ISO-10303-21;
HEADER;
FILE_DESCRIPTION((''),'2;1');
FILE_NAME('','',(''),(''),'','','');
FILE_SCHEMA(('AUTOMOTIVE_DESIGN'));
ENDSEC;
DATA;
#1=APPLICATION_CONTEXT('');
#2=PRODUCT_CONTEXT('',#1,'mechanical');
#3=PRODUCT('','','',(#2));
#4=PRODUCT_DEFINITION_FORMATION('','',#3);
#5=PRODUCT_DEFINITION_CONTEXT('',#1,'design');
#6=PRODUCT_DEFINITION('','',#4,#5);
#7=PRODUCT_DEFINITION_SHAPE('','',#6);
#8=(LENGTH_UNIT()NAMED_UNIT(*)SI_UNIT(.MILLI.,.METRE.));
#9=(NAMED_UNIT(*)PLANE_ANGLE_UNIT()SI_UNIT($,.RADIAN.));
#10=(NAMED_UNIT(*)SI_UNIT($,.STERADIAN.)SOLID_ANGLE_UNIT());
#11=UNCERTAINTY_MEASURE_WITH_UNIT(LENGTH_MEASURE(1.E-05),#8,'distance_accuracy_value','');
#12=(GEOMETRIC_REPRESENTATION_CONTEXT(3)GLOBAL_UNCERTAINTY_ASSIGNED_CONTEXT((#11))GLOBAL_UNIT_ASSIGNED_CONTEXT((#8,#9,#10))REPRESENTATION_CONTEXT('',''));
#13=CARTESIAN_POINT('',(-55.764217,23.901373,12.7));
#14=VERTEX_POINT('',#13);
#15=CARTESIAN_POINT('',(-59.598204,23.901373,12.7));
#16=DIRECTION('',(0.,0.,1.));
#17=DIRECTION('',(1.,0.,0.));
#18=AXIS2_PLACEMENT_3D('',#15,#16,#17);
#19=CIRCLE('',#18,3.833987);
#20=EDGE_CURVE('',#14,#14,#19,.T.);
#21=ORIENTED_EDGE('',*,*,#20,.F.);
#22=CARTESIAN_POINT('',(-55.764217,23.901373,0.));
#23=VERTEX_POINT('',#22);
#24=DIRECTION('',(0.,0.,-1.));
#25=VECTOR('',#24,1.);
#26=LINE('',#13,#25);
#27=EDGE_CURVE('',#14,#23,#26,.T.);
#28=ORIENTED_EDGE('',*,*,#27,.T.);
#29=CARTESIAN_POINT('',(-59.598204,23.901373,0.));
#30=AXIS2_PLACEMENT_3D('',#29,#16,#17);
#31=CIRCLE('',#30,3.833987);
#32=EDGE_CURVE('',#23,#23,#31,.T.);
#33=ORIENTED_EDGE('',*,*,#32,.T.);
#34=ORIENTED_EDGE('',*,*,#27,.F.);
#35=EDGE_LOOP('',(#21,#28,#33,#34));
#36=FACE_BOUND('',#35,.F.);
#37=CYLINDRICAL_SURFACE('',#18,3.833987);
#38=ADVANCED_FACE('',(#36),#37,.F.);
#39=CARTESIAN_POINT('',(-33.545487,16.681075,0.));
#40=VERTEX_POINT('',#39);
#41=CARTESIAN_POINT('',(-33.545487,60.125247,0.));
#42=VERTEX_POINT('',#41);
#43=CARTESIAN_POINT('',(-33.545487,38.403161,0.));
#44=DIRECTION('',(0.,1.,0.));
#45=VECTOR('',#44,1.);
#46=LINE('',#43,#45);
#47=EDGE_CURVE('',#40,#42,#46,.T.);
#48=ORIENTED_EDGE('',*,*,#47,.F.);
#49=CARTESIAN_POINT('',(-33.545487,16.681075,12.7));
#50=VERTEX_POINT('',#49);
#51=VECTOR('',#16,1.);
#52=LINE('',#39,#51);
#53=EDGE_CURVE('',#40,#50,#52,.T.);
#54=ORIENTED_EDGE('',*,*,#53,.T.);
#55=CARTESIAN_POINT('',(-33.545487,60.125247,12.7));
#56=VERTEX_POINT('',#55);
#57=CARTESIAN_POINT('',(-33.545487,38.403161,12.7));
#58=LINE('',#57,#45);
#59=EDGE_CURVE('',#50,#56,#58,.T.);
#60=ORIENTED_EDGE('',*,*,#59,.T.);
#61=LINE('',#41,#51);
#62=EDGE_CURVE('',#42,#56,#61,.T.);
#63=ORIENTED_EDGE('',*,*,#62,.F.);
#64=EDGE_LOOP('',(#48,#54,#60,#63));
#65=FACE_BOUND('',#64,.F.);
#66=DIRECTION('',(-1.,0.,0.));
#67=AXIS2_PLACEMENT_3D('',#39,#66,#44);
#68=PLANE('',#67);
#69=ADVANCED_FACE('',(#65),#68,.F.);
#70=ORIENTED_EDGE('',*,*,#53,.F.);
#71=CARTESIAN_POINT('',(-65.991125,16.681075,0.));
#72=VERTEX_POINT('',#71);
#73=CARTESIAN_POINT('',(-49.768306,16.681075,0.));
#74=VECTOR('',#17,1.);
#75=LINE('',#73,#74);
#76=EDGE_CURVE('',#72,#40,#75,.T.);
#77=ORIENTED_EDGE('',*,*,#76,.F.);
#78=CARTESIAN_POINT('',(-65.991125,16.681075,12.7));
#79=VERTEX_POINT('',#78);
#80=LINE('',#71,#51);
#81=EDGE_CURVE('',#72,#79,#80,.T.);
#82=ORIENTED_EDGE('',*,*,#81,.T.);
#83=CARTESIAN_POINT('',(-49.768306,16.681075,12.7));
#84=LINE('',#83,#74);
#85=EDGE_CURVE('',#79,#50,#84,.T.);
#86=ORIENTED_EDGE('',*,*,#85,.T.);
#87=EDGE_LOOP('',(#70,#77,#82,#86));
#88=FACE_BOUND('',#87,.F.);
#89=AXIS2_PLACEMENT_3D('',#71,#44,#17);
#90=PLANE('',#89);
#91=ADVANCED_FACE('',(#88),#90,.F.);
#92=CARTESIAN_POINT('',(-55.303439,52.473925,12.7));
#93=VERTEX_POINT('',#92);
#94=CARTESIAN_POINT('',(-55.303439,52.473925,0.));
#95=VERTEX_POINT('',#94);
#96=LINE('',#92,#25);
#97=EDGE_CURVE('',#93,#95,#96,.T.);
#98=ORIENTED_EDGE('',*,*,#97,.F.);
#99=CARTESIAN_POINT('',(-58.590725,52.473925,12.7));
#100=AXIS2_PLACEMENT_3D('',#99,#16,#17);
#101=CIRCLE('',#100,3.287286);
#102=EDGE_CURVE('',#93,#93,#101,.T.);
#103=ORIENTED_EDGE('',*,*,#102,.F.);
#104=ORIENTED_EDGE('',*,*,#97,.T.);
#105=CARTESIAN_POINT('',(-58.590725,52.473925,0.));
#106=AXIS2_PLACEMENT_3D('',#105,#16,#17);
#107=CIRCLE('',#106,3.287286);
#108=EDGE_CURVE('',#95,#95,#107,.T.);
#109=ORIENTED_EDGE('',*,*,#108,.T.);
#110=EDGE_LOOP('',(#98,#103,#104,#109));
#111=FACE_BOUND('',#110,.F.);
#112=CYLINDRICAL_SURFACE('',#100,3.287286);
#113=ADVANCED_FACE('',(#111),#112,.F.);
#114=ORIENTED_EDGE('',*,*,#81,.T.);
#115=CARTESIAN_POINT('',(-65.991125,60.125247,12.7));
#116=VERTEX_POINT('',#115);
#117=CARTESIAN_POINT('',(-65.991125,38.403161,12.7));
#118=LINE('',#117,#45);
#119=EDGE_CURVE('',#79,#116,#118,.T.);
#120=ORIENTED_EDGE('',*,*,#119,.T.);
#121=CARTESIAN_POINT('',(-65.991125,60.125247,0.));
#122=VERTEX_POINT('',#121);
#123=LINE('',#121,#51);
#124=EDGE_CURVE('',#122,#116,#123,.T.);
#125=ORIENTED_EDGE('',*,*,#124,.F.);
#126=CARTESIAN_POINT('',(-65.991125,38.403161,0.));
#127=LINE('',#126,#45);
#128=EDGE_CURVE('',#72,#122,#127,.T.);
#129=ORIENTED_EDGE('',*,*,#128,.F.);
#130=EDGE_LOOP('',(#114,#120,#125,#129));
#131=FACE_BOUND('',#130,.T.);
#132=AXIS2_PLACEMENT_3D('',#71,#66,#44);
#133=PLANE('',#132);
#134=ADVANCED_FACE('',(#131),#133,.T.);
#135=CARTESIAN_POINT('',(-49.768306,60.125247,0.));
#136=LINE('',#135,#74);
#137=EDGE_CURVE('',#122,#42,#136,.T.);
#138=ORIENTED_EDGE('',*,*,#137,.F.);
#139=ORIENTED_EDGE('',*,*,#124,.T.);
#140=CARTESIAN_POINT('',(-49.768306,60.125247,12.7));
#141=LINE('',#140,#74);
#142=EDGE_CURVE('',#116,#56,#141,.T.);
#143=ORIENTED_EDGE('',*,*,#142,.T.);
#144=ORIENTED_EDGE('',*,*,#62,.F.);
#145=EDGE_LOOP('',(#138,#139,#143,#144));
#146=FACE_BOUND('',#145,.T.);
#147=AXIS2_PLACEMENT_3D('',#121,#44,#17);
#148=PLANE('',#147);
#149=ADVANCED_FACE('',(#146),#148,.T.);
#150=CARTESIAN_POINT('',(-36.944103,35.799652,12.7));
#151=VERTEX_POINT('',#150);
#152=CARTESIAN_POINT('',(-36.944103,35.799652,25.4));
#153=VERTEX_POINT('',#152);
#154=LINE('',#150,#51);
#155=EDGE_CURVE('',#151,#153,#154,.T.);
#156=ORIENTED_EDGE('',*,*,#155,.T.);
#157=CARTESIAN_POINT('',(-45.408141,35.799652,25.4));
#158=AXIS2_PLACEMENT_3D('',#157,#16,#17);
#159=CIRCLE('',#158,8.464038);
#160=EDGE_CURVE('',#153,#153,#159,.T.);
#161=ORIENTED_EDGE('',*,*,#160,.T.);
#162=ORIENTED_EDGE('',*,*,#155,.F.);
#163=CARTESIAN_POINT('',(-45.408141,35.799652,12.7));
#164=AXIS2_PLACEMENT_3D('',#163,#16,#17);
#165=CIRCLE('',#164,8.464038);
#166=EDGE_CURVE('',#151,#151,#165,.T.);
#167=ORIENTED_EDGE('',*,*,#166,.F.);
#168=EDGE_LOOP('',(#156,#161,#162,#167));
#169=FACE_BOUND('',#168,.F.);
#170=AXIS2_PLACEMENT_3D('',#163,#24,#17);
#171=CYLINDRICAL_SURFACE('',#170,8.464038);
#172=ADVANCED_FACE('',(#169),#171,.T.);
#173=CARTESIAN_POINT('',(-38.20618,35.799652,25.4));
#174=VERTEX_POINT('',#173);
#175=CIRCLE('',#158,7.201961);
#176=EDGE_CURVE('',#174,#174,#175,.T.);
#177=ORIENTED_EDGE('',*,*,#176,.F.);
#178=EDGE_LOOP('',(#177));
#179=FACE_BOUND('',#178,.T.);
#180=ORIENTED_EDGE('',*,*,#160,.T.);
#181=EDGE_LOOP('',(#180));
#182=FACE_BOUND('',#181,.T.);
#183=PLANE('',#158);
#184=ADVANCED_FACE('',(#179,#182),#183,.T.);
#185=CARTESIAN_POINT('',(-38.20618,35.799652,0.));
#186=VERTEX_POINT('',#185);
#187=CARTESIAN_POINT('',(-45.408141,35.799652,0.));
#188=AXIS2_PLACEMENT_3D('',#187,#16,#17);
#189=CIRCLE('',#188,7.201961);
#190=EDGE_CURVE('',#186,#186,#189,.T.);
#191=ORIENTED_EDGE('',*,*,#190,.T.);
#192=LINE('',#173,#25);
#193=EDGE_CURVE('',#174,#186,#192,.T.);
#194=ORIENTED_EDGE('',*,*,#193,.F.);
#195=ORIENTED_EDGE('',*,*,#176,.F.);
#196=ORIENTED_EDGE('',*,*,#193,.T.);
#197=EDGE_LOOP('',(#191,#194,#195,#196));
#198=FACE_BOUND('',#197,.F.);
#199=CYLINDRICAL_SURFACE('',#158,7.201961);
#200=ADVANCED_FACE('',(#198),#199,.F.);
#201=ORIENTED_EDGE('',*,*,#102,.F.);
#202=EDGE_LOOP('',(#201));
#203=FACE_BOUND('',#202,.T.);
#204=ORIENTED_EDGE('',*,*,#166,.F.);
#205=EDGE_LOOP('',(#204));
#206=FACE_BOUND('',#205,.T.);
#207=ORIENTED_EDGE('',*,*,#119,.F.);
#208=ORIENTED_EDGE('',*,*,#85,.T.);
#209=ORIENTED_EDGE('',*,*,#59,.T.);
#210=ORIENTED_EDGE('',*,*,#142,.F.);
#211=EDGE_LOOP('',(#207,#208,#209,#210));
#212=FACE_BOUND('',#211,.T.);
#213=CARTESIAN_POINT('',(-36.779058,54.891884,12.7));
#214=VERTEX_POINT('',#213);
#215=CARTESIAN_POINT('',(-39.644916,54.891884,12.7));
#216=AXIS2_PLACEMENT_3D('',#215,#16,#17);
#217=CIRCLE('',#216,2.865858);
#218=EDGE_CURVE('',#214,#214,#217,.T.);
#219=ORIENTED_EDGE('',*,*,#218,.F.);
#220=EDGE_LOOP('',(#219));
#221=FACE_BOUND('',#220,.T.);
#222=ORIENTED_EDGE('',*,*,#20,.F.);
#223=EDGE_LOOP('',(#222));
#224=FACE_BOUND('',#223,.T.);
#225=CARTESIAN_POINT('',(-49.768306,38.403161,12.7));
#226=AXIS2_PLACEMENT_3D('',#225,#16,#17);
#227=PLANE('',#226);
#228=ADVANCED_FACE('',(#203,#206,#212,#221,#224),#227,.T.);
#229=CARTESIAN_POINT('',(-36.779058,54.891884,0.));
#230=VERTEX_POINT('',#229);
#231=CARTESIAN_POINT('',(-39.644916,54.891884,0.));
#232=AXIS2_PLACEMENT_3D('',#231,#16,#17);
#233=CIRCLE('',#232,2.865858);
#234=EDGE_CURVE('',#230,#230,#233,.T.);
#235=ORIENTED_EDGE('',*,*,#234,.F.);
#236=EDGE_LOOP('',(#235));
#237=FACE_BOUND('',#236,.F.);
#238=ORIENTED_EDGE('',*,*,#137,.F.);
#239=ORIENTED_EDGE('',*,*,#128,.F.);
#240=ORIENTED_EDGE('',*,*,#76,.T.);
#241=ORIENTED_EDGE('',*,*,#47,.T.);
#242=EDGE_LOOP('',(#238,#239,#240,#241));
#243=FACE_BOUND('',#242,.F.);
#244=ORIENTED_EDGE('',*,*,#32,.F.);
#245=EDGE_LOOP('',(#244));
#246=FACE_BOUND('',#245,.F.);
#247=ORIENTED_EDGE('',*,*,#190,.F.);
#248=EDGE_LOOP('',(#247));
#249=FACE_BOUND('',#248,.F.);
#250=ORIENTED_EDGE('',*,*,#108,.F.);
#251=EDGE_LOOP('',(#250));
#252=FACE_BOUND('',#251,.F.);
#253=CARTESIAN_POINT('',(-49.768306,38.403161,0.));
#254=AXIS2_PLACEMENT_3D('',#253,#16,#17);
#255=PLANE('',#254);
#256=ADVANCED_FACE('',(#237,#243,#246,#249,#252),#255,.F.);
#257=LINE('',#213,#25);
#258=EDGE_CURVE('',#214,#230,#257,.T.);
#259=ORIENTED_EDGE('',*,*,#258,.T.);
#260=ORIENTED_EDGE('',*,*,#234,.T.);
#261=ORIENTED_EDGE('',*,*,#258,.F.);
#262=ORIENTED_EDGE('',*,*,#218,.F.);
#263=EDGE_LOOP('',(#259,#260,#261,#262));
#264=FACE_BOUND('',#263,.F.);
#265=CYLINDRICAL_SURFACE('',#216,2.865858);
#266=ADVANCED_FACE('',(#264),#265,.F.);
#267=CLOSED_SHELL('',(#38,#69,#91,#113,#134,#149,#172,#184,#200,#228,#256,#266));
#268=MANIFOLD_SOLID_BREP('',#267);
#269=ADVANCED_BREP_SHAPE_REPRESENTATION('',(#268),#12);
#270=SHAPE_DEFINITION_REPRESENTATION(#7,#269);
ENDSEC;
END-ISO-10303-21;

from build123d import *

# Parameters (mm, degrees)
F0_W      = 32.445639
F0_H      = 43.444172
F1_DEPTH  = 12.7
F2_R      = 8.464038
F3_DEPTH  = 12.7
F4_R      = 7.201961
F5_DEPTH  = 25.4
F8_R      = 3.287286
F9_DEPTH  = 25.4
F10_R     = 2.865858
F11_DEPTH = 25.4
F12_R     = 3.833987
F13_DEPTH = 25.4


with BuildPart() as f1:
    # F0 (on Top) → F1 (new body)
    with BuildSketch(Plane.XY):
        with Locations((-49.768306, 38.403161)):
            Rectangle(F0_W, F0_H)
    extrude(amount=F1_DEPTH)

    # F2 (on face) → F3 (join)
    with BuildSketch(Plane.XY.offset(12.7)):
        with Locations((-45.408141, 35.799652)):
            Circle(F2_R)
    extrude(amount=F3_DEPTH)

    # F4 (on face) → F5 (cut)
    with BuildSketch(Plane.XY.offset(25.4)):
        with Locations((-45.408141, 35.799652)):
            Circle(F4_R)
    extrude(amount=-F5_DEPTH, mode=Mode.SUBTRACT)

    # F8 (on face) → F9 (cut)
    with BuildSketch(Plane.XY.offset(12.7)):
        with Locations((-58.590725, 52.473925)):
            Circle(F8_R)
    extrude(amount=-F9_DEPTH, mode=Mode.SUBTRACT)

    # F10 (on face) → F11 (cut)
    with BuildSketch(Plane.XY.offset(12.7)):
        with Locations((-39.644916, 54.891884)):
            Circle(F10_R)
    extrude(amount=-F11_DEPTH, mode=Mode.SUBTRACT)

    # F12 (on face) → F13 (cut)
    with BuildSketch(Plane.XY.offset(12.7)):
        with Locations((-59.598204, 23.901373)):
            Circle(F12_R)
    extrude(amount=-F13_DEPTH, mode=Mode.SUBTRACT)


solid = f1.part
